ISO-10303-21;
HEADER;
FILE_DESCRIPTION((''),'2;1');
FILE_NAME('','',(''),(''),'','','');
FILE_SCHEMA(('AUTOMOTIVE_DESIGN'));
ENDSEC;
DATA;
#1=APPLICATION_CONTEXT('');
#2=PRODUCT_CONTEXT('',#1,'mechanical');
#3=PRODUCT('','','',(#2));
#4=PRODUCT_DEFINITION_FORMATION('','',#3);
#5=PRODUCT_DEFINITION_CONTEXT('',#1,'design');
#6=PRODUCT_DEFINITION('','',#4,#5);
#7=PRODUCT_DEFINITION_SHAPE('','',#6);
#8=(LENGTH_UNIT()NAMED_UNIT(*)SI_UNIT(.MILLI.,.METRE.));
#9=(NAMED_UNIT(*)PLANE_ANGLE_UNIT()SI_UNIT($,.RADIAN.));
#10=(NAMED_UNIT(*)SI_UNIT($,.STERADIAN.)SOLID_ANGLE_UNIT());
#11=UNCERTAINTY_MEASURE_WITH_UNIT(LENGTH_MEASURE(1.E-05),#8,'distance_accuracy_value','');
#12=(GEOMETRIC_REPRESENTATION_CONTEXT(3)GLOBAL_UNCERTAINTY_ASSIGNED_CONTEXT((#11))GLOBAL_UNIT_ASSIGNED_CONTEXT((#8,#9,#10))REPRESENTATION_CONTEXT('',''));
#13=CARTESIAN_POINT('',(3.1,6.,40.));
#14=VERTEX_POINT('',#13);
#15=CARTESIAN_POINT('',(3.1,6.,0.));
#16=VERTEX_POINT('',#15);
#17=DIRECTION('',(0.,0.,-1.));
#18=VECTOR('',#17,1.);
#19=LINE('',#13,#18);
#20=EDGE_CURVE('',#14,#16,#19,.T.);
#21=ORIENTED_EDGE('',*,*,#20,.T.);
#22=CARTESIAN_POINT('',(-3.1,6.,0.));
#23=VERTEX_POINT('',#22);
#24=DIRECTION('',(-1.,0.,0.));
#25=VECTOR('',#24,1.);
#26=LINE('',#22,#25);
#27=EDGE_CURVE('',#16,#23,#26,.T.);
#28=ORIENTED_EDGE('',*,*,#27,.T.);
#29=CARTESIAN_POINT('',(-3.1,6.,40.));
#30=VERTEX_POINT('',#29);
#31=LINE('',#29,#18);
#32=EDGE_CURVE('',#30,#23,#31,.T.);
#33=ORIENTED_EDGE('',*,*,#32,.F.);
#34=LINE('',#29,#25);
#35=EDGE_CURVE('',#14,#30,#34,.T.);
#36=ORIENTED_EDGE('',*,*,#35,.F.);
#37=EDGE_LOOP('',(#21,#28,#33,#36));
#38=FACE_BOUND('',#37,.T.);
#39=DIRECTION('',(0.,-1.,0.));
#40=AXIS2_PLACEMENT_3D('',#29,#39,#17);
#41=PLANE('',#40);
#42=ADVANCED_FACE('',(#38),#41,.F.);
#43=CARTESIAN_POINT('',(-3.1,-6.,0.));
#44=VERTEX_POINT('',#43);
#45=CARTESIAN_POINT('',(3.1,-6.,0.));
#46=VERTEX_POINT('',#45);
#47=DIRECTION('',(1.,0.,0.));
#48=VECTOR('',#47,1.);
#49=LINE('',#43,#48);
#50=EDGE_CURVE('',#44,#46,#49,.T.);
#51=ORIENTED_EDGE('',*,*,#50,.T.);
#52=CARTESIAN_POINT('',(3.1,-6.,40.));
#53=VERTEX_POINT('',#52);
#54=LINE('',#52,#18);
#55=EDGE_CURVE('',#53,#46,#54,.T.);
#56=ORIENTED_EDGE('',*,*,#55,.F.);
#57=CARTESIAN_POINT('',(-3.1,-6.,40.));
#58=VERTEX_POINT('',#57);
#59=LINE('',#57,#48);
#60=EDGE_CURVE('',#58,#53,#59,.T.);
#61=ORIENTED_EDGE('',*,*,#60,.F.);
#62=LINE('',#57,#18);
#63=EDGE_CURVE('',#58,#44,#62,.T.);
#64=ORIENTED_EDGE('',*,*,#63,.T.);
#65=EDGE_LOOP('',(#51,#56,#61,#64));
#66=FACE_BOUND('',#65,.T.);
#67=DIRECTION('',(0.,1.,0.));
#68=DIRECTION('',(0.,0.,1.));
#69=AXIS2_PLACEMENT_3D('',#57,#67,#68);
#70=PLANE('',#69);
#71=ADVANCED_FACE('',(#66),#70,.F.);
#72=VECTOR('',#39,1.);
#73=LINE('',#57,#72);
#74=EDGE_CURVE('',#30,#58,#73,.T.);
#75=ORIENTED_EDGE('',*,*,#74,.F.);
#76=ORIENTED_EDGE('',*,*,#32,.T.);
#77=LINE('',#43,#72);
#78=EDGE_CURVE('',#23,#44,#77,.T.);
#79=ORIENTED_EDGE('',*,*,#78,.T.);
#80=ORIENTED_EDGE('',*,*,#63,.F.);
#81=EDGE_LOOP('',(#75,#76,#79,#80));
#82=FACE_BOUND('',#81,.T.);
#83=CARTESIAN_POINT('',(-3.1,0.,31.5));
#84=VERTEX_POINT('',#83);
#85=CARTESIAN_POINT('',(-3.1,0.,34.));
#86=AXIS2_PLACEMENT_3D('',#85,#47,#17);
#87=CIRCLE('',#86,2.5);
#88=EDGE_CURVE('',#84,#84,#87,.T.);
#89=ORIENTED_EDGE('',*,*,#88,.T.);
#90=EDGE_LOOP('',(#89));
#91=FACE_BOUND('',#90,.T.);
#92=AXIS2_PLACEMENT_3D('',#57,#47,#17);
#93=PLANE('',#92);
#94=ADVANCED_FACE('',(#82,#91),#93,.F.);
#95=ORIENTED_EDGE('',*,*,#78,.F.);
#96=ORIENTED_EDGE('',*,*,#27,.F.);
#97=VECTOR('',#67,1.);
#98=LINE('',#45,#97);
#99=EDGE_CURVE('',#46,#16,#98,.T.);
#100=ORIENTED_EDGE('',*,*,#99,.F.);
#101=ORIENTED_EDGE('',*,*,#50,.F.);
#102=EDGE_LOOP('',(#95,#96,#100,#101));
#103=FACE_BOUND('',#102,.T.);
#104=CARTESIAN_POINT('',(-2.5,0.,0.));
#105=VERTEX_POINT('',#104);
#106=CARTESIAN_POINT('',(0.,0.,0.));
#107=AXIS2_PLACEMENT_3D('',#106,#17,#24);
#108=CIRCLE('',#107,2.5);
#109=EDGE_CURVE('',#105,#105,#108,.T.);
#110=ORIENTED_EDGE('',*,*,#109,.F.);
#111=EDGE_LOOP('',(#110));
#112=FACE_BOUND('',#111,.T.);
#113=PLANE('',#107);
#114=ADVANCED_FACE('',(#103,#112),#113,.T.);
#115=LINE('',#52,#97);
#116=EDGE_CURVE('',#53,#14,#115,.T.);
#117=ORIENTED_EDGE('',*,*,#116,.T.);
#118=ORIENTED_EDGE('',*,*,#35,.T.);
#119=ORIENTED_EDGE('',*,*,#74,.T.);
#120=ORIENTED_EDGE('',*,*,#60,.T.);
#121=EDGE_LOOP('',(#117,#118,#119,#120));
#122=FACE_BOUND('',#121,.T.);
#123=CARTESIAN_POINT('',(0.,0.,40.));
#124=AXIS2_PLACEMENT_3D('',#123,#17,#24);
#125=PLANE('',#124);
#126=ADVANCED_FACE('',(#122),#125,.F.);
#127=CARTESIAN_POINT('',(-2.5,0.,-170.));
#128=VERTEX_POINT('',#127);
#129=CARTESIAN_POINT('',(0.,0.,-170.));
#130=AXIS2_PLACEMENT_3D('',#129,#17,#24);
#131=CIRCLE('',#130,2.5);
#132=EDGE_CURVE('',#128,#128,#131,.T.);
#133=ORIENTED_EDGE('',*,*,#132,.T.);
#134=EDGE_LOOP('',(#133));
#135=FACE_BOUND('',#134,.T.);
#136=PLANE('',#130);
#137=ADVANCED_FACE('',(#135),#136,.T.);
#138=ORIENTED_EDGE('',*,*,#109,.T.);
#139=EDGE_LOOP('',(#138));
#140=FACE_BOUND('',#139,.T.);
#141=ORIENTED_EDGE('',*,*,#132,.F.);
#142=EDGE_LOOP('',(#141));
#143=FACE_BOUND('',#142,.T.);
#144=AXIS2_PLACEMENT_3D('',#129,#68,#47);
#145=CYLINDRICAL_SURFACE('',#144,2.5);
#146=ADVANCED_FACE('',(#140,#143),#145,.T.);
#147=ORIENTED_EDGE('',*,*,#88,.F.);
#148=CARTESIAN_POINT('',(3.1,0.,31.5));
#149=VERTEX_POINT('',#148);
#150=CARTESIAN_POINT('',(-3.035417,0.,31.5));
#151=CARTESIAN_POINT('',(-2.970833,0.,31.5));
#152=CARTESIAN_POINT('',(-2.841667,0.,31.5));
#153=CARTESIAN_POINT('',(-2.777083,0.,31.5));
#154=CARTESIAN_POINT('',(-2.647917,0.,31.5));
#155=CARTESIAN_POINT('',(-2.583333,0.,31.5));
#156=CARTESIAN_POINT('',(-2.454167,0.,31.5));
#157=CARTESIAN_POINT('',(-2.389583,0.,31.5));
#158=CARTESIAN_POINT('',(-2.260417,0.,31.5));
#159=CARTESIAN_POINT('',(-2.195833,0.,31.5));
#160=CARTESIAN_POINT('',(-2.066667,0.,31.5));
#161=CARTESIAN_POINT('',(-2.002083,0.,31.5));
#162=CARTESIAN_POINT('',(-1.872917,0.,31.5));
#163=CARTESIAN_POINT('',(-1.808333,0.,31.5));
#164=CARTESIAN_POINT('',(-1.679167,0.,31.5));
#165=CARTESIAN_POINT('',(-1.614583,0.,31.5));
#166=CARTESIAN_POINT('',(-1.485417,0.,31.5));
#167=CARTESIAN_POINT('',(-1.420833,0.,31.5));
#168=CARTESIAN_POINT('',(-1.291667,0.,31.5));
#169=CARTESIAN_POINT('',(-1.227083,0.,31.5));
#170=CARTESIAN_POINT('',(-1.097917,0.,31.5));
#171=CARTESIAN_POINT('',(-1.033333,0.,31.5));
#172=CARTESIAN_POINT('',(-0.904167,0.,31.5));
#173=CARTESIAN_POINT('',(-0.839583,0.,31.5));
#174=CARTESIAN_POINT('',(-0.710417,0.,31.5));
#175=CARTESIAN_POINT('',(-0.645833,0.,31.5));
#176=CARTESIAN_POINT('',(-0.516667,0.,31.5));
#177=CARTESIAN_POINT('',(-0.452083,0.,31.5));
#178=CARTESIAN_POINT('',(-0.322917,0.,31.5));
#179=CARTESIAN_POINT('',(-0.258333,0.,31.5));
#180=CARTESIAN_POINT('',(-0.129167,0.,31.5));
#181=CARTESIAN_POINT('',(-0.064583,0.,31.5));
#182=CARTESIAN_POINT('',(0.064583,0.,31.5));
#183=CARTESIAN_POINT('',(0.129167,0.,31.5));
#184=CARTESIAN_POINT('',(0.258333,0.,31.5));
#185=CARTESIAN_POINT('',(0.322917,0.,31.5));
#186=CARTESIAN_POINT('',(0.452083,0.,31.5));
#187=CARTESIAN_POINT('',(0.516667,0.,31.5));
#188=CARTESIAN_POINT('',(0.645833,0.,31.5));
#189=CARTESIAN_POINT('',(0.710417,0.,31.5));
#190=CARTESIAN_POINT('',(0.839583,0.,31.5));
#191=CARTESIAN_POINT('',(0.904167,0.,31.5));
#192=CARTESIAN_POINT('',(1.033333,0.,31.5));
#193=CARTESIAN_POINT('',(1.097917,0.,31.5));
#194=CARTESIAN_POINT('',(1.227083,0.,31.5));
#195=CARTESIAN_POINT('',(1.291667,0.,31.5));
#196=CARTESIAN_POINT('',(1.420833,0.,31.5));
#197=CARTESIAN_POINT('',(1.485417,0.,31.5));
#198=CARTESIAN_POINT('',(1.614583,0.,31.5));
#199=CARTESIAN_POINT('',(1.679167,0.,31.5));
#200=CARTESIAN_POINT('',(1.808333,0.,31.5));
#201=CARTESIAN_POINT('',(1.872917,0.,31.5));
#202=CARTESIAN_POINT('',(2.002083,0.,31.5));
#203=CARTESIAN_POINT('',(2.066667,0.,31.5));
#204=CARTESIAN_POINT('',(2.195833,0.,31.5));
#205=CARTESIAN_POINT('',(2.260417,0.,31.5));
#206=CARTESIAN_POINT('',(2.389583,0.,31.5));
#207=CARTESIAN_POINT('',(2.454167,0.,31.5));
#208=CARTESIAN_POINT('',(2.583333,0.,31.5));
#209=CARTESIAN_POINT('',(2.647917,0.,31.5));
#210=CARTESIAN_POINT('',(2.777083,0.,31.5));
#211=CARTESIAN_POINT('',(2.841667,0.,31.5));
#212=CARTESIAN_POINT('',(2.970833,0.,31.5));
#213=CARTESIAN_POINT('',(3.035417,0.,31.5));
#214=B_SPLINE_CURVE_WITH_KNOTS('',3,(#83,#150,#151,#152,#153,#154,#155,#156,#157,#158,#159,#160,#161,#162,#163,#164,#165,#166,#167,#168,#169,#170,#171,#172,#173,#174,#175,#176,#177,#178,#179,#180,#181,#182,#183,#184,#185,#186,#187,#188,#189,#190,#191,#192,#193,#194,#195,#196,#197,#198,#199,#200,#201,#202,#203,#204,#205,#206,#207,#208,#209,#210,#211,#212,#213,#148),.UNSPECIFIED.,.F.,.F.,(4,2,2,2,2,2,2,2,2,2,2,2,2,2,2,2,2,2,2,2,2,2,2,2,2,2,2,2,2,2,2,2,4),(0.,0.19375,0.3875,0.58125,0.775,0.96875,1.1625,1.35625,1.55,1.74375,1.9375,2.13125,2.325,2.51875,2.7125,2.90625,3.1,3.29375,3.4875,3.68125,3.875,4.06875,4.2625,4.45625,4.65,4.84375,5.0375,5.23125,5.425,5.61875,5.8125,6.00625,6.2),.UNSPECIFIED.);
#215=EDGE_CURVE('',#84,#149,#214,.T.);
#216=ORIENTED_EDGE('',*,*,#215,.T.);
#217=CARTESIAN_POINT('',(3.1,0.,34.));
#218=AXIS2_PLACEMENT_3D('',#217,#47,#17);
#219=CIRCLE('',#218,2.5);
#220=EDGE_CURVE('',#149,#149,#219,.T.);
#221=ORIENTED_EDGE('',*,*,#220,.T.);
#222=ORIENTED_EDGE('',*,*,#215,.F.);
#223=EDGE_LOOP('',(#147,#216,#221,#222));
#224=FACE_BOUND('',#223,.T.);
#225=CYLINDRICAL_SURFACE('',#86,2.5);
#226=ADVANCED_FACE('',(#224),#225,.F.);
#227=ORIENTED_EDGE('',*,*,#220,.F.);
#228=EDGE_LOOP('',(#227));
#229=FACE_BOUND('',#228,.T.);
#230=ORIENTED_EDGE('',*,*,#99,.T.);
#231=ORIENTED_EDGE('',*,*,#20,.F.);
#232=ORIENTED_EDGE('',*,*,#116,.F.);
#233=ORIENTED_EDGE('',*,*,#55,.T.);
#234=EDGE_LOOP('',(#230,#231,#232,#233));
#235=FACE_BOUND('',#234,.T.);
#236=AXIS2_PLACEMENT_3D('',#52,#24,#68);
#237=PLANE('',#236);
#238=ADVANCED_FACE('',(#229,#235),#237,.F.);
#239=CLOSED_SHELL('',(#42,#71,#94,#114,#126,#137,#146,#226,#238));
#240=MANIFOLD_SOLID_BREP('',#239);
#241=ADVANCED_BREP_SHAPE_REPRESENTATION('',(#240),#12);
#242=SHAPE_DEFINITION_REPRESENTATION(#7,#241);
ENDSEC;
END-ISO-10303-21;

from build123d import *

# Parameters (mm, degrees)
SKETCH_1_W          = 6.2
SKETCH_1_H          = 12
EXTRUDE_1_DEPTH     = 40
SKETCH_2_R          = 2.5
CUT_EXTRUDE_1_DEPTH = 41.919921799
SKETCH_3_R          = 2.5
EXTRUDE_2_DEPTH     = 170


with BuildPart() as part:
    # 草图1 → 凸台-拉伸1 (new body)
    with BuildSketch(Plane.XY):
        Rectangle(SKETCH_1_W, SKETCH_1_H)
    extrude(amount=EXTRUDE_1_DEPTH)

    # 草图2 → 切除-拉伸1 (cut, through all)
    with BuildSketch(Plane(origin=(3.1, 0, 0), x_dir=(0, 0, -1), z_dir=(1, 0, 0))):
        with Locations((-34, 0)):
            Circle(SKETCH_2_R)
    extrude(amount=-CUT_EXTRUDE_1_DEPTH, mode=Mode.SUBTRACT)

    # 草图3 → 凸台-拉伸2 (add)
    with BuildSketch(Plane(origin=(0, 0, 0), x_dir=(-1, 0, 0), z_dir=(0, 0, -1))):
        Circle(SKETCH_3_R)
    extrude(amount=EXTRUDE_2_DEPTH)


solid = part.part
